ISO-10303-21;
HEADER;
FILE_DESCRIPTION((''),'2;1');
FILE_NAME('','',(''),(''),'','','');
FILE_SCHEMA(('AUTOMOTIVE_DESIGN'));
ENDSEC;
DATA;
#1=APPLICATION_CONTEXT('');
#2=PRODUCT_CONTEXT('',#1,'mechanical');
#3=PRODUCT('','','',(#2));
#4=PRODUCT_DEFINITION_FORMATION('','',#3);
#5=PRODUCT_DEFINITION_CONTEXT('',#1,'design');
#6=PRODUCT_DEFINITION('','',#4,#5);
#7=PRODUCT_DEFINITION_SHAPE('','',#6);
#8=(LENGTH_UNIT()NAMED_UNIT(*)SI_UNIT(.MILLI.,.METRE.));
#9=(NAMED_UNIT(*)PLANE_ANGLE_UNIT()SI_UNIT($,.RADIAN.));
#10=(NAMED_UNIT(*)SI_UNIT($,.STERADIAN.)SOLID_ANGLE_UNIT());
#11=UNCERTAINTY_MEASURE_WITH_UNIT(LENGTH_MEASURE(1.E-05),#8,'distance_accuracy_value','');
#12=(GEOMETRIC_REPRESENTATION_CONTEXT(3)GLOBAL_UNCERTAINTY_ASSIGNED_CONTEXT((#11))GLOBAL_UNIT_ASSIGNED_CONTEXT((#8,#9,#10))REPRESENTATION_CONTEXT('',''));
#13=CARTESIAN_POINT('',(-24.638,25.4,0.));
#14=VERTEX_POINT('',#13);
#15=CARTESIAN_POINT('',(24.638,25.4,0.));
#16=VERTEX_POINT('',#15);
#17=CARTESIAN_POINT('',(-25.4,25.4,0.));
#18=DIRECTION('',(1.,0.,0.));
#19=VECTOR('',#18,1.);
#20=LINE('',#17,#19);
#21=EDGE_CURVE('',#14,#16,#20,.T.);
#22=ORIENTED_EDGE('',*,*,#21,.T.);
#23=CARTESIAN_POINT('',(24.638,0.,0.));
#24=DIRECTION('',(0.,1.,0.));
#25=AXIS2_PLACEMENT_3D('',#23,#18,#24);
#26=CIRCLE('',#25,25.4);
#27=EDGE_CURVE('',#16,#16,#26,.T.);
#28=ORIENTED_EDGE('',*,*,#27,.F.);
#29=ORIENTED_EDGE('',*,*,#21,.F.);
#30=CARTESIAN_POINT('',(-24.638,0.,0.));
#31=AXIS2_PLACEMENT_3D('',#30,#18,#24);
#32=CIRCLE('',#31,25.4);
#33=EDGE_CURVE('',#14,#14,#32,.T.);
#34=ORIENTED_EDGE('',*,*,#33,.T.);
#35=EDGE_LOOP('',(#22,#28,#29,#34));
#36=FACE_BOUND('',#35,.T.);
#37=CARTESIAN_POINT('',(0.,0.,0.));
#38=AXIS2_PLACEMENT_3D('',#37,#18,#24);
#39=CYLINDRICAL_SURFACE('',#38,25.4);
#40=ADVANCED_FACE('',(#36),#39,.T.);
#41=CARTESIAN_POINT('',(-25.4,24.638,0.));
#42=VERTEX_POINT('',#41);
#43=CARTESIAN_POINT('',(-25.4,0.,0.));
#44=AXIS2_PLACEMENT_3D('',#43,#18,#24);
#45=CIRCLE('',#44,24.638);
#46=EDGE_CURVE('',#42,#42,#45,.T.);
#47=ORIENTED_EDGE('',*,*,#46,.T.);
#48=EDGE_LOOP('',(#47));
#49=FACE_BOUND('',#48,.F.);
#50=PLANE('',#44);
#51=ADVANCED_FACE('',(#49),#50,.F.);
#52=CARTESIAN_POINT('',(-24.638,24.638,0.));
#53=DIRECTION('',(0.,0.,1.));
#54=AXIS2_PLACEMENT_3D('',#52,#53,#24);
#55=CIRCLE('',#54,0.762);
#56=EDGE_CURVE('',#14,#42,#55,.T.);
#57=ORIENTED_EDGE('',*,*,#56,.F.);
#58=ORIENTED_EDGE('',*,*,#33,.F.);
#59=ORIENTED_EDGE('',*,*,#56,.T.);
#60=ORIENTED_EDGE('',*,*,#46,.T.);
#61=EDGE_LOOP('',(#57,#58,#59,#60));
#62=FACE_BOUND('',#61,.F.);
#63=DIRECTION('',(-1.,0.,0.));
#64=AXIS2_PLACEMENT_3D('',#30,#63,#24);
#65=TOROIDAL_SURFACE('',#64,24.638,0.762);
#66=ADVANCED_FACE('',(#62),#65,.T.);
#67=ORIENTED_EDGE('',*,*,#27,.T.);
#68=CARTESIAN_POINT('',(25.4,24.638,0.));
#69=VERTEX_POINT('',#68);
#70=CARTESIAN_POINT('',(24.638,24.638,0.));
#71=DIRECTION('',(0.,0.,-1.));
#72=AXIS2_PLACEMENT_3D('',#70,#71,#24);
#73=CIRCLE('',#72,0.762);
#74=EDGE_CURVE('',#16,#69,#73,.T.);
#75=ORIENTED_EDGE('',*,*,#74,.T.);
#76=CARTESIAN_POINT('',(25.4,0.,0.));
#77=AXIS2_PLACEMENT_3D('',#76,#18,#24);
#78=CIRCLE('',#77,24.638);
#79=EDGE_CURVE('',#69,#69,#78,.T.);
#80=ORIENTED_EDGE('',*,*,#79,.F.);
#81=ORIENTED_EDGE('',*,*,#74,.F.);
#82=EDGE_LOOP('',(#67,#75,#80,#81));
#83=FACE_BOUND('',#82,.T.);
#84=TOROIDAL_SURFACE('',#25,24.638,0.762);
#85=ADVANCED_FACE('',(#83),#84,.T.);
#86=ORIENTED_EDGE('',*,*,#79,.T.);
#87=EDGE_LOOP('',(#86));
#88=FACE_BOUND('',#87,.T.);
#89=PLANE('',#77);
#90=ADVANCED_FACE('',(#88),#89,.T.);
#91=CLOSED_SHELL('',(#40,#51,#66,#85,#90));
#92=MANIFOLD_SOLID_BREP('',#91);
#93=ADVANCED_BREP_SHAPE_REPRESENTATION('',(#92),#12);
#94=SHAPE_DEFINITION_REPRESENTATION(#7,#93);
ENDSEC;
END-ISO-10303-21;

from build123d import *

# Parameters (mm, degrees)
F0_R     = 25.4
F1_DEPTH = 25.4
F2_R     = 0.762


with BuildPart() as f1:
    # F0 (on Right) → F1 (new body, symmetric)
    with BuildSketch(Plane.YZ):
        Circle(F0_R)
    extrude(amount=F1_DEPTH, both=True)

    # F2
    f2_edges = [f1.edges().sort_by_distance(p)[0] for p in [
        (25.4, -25.4, 0),
        (-25.4, -25.4, 0),
    ]]
    fillet(f2_edges, radius=F2_R)


solid = f1.part
